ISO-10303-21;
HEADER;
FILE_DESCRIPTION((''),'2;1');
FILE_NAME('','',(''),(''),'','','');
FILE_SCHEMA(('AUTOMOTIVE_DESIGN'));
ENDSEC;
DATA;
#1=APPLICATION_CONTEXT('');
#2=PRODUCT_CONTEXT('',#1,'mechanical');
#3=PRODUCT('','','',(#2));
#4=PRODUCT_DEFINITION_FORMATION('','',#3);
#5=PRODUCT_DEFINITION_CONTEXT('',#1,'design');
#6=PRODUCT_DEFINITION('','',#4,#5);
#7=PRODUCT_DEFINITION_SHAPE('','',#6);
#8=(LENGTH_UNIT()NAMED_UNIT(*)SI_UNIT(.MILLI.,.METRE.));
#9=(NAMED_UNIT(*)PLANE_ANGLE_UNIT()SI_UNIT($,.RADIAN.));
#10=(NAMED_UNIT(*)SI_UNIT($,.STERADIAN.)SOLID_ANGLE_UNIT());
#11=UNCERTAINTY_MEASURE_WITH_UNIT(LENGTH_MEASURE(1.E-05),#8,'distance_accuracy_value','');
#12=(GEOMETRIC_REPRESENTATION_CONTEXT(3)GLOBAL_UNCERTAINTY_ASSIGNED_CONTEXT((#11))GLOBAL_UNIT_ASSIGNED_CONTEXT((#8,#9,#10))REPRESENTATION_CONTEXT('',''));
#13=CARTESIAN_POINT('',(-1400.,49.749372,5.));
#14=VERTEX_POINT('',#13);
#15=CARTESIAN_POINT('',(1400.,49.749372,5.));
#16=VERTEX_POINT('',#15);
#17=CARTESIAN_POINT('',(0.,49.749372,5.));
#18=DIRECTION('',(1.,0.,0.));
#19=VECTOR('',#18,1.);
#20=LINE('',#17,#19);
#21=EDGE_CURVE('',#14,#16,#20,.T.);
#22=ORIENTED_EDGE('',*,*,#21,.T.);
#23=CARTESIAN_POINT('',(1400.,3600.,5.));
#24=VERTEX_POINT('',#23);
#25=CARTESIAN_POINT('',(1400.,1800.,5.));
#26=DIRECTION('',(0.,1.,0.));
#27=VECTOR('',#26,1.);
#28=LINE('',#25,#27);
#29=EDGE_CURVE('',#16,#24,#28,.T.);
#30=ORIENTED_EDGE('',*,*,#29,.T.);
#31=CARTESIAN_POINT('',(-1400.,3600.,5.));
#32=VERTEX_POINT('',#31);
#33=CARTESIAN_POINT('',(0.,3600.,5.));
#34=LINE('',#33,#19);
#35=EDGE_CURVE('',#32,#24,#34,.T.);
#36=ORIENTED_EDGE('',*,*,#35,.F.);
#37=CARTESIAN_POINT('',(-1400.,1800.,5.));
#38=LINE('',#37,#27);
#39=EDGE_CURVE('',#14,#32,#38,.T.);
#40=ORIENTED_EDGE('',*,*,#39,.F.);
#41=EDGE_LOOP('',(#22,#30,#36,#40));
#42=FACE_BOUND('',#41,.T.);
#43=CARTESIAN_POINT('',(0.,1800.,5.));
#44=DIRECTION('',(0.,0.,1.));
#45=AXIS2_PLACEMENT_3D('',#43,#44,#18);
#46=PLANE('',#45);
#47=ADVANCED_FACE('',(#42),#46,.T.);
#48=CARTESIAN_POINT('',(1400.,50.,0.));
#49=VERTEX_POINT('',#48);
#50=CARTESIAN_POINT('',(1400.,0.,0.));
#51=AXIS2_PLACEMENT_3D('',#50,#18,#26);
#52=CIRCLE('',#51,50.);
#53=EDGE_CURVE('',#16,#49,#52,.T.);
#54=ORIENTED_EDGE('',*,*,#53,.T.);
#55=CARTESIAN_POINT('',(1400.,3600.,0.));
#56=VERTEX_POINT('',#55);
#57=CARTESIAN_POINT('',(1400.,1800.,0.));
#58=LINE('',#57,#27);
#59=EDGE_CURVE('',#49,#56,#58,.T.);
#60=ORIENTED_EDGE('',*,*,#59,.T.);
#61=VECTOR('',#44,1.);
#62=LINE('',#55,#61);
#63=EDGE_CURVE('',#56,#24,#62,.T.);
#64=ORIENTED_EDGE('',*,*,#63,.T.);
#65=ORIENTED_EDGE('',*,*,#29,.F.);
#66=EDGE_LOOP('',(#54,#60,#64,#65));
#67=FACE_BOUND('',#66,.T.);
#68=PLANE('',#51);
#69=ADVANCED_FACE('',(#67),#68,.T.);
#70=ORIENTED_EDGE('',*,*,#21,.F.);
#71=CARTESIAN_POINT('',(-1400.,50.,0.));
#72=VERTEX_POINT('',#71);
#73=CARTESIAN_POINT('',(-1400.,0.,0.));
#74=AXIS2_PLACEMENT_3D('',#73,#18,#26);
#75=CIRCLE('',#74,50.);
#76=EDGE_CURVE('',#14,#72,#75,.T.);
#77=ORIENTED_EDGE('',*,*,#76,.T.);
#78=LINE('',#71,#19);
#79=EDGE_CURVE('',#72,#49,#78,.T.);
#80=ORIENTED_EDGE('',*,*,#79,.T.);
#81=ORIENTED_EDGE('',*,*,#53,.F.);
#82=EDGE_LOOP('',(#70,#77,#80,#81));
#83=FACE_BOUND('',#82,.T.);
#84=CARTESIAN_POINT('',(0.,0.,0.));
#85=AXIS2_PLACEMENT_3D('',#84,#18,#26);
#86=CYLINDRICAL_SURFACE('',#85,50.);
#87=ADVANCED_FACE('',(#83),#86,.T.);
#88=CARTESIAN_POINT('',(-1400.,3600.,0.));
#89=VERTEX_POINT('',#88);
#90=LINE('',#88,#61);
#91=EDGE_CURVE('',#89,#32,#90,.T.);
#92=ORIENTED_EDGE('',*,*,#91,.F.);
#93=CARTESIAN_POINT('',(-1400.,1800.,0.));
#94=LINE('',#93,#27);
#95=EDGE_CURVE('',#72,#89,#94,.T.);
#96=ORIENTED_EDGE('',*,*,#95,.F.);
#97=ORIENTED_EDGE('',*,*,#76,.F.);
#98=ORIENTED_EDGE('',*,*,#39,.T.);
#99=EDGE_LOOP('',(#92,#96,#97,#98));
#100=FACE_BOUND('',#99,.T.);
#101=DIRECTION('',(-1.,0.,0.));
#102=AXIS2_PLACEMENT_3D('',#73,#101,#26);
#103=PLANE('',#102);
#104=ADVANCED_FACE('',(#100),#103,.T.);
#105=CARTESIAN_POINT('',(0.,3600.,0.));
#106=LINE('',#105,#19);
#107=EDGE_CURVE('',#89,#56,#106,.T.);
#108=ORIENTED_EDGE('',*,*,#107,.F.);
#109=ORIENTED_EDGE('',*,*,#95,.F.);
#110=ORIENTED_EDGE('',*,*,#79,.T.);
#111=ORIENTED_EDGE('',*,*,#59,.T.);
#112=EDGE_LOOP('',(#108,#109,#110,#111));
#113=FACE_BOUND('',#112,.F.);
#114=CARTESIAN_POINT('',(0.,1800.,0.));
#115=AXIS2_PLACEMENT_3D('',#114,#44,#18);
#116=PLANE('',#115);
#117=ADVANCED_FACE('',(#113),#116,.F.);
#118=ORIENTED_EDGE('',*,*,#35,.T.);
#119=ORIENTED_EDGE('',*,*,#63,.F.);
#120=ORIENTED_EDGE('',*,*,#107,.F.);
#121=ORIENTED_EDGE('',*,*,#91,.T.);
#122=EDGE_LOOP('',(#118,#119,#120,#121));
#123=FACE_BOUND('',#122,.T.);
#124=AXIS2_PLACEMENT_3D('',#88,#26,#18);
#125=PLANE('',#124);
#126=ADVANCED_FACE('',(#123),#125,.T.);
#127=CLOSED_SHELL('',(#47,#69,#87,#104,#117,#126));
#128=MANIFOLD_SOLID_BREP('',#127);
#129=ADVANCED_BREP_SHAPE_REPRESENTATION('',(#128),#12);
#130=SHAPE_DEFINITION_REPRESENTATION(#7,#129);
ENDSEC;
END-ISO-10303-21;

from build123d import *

# Parameters (mm, degrees)
F0_W     = 2800
F0_H     = 3600
F1_DEPTH = 5
F2_R     = 50
F3_DEPTH = 1400


with BuildPart() as f1:
    # F0 (on Top) → F1 (new body)
    with BuildSketch(Plane.XY):
        with Locations((0, 1800)):
            Rectangle(F0_W, F0_H)
    extrude(amount=F1_DEPTH)

    # F2 (on Right) → F3 (join, symmetric)
    with BuildSketch(Plane.YZ):
        Circle(F2_R)
    extrude(amount=F3_DEPTH, both=True)


solid = f1.part
